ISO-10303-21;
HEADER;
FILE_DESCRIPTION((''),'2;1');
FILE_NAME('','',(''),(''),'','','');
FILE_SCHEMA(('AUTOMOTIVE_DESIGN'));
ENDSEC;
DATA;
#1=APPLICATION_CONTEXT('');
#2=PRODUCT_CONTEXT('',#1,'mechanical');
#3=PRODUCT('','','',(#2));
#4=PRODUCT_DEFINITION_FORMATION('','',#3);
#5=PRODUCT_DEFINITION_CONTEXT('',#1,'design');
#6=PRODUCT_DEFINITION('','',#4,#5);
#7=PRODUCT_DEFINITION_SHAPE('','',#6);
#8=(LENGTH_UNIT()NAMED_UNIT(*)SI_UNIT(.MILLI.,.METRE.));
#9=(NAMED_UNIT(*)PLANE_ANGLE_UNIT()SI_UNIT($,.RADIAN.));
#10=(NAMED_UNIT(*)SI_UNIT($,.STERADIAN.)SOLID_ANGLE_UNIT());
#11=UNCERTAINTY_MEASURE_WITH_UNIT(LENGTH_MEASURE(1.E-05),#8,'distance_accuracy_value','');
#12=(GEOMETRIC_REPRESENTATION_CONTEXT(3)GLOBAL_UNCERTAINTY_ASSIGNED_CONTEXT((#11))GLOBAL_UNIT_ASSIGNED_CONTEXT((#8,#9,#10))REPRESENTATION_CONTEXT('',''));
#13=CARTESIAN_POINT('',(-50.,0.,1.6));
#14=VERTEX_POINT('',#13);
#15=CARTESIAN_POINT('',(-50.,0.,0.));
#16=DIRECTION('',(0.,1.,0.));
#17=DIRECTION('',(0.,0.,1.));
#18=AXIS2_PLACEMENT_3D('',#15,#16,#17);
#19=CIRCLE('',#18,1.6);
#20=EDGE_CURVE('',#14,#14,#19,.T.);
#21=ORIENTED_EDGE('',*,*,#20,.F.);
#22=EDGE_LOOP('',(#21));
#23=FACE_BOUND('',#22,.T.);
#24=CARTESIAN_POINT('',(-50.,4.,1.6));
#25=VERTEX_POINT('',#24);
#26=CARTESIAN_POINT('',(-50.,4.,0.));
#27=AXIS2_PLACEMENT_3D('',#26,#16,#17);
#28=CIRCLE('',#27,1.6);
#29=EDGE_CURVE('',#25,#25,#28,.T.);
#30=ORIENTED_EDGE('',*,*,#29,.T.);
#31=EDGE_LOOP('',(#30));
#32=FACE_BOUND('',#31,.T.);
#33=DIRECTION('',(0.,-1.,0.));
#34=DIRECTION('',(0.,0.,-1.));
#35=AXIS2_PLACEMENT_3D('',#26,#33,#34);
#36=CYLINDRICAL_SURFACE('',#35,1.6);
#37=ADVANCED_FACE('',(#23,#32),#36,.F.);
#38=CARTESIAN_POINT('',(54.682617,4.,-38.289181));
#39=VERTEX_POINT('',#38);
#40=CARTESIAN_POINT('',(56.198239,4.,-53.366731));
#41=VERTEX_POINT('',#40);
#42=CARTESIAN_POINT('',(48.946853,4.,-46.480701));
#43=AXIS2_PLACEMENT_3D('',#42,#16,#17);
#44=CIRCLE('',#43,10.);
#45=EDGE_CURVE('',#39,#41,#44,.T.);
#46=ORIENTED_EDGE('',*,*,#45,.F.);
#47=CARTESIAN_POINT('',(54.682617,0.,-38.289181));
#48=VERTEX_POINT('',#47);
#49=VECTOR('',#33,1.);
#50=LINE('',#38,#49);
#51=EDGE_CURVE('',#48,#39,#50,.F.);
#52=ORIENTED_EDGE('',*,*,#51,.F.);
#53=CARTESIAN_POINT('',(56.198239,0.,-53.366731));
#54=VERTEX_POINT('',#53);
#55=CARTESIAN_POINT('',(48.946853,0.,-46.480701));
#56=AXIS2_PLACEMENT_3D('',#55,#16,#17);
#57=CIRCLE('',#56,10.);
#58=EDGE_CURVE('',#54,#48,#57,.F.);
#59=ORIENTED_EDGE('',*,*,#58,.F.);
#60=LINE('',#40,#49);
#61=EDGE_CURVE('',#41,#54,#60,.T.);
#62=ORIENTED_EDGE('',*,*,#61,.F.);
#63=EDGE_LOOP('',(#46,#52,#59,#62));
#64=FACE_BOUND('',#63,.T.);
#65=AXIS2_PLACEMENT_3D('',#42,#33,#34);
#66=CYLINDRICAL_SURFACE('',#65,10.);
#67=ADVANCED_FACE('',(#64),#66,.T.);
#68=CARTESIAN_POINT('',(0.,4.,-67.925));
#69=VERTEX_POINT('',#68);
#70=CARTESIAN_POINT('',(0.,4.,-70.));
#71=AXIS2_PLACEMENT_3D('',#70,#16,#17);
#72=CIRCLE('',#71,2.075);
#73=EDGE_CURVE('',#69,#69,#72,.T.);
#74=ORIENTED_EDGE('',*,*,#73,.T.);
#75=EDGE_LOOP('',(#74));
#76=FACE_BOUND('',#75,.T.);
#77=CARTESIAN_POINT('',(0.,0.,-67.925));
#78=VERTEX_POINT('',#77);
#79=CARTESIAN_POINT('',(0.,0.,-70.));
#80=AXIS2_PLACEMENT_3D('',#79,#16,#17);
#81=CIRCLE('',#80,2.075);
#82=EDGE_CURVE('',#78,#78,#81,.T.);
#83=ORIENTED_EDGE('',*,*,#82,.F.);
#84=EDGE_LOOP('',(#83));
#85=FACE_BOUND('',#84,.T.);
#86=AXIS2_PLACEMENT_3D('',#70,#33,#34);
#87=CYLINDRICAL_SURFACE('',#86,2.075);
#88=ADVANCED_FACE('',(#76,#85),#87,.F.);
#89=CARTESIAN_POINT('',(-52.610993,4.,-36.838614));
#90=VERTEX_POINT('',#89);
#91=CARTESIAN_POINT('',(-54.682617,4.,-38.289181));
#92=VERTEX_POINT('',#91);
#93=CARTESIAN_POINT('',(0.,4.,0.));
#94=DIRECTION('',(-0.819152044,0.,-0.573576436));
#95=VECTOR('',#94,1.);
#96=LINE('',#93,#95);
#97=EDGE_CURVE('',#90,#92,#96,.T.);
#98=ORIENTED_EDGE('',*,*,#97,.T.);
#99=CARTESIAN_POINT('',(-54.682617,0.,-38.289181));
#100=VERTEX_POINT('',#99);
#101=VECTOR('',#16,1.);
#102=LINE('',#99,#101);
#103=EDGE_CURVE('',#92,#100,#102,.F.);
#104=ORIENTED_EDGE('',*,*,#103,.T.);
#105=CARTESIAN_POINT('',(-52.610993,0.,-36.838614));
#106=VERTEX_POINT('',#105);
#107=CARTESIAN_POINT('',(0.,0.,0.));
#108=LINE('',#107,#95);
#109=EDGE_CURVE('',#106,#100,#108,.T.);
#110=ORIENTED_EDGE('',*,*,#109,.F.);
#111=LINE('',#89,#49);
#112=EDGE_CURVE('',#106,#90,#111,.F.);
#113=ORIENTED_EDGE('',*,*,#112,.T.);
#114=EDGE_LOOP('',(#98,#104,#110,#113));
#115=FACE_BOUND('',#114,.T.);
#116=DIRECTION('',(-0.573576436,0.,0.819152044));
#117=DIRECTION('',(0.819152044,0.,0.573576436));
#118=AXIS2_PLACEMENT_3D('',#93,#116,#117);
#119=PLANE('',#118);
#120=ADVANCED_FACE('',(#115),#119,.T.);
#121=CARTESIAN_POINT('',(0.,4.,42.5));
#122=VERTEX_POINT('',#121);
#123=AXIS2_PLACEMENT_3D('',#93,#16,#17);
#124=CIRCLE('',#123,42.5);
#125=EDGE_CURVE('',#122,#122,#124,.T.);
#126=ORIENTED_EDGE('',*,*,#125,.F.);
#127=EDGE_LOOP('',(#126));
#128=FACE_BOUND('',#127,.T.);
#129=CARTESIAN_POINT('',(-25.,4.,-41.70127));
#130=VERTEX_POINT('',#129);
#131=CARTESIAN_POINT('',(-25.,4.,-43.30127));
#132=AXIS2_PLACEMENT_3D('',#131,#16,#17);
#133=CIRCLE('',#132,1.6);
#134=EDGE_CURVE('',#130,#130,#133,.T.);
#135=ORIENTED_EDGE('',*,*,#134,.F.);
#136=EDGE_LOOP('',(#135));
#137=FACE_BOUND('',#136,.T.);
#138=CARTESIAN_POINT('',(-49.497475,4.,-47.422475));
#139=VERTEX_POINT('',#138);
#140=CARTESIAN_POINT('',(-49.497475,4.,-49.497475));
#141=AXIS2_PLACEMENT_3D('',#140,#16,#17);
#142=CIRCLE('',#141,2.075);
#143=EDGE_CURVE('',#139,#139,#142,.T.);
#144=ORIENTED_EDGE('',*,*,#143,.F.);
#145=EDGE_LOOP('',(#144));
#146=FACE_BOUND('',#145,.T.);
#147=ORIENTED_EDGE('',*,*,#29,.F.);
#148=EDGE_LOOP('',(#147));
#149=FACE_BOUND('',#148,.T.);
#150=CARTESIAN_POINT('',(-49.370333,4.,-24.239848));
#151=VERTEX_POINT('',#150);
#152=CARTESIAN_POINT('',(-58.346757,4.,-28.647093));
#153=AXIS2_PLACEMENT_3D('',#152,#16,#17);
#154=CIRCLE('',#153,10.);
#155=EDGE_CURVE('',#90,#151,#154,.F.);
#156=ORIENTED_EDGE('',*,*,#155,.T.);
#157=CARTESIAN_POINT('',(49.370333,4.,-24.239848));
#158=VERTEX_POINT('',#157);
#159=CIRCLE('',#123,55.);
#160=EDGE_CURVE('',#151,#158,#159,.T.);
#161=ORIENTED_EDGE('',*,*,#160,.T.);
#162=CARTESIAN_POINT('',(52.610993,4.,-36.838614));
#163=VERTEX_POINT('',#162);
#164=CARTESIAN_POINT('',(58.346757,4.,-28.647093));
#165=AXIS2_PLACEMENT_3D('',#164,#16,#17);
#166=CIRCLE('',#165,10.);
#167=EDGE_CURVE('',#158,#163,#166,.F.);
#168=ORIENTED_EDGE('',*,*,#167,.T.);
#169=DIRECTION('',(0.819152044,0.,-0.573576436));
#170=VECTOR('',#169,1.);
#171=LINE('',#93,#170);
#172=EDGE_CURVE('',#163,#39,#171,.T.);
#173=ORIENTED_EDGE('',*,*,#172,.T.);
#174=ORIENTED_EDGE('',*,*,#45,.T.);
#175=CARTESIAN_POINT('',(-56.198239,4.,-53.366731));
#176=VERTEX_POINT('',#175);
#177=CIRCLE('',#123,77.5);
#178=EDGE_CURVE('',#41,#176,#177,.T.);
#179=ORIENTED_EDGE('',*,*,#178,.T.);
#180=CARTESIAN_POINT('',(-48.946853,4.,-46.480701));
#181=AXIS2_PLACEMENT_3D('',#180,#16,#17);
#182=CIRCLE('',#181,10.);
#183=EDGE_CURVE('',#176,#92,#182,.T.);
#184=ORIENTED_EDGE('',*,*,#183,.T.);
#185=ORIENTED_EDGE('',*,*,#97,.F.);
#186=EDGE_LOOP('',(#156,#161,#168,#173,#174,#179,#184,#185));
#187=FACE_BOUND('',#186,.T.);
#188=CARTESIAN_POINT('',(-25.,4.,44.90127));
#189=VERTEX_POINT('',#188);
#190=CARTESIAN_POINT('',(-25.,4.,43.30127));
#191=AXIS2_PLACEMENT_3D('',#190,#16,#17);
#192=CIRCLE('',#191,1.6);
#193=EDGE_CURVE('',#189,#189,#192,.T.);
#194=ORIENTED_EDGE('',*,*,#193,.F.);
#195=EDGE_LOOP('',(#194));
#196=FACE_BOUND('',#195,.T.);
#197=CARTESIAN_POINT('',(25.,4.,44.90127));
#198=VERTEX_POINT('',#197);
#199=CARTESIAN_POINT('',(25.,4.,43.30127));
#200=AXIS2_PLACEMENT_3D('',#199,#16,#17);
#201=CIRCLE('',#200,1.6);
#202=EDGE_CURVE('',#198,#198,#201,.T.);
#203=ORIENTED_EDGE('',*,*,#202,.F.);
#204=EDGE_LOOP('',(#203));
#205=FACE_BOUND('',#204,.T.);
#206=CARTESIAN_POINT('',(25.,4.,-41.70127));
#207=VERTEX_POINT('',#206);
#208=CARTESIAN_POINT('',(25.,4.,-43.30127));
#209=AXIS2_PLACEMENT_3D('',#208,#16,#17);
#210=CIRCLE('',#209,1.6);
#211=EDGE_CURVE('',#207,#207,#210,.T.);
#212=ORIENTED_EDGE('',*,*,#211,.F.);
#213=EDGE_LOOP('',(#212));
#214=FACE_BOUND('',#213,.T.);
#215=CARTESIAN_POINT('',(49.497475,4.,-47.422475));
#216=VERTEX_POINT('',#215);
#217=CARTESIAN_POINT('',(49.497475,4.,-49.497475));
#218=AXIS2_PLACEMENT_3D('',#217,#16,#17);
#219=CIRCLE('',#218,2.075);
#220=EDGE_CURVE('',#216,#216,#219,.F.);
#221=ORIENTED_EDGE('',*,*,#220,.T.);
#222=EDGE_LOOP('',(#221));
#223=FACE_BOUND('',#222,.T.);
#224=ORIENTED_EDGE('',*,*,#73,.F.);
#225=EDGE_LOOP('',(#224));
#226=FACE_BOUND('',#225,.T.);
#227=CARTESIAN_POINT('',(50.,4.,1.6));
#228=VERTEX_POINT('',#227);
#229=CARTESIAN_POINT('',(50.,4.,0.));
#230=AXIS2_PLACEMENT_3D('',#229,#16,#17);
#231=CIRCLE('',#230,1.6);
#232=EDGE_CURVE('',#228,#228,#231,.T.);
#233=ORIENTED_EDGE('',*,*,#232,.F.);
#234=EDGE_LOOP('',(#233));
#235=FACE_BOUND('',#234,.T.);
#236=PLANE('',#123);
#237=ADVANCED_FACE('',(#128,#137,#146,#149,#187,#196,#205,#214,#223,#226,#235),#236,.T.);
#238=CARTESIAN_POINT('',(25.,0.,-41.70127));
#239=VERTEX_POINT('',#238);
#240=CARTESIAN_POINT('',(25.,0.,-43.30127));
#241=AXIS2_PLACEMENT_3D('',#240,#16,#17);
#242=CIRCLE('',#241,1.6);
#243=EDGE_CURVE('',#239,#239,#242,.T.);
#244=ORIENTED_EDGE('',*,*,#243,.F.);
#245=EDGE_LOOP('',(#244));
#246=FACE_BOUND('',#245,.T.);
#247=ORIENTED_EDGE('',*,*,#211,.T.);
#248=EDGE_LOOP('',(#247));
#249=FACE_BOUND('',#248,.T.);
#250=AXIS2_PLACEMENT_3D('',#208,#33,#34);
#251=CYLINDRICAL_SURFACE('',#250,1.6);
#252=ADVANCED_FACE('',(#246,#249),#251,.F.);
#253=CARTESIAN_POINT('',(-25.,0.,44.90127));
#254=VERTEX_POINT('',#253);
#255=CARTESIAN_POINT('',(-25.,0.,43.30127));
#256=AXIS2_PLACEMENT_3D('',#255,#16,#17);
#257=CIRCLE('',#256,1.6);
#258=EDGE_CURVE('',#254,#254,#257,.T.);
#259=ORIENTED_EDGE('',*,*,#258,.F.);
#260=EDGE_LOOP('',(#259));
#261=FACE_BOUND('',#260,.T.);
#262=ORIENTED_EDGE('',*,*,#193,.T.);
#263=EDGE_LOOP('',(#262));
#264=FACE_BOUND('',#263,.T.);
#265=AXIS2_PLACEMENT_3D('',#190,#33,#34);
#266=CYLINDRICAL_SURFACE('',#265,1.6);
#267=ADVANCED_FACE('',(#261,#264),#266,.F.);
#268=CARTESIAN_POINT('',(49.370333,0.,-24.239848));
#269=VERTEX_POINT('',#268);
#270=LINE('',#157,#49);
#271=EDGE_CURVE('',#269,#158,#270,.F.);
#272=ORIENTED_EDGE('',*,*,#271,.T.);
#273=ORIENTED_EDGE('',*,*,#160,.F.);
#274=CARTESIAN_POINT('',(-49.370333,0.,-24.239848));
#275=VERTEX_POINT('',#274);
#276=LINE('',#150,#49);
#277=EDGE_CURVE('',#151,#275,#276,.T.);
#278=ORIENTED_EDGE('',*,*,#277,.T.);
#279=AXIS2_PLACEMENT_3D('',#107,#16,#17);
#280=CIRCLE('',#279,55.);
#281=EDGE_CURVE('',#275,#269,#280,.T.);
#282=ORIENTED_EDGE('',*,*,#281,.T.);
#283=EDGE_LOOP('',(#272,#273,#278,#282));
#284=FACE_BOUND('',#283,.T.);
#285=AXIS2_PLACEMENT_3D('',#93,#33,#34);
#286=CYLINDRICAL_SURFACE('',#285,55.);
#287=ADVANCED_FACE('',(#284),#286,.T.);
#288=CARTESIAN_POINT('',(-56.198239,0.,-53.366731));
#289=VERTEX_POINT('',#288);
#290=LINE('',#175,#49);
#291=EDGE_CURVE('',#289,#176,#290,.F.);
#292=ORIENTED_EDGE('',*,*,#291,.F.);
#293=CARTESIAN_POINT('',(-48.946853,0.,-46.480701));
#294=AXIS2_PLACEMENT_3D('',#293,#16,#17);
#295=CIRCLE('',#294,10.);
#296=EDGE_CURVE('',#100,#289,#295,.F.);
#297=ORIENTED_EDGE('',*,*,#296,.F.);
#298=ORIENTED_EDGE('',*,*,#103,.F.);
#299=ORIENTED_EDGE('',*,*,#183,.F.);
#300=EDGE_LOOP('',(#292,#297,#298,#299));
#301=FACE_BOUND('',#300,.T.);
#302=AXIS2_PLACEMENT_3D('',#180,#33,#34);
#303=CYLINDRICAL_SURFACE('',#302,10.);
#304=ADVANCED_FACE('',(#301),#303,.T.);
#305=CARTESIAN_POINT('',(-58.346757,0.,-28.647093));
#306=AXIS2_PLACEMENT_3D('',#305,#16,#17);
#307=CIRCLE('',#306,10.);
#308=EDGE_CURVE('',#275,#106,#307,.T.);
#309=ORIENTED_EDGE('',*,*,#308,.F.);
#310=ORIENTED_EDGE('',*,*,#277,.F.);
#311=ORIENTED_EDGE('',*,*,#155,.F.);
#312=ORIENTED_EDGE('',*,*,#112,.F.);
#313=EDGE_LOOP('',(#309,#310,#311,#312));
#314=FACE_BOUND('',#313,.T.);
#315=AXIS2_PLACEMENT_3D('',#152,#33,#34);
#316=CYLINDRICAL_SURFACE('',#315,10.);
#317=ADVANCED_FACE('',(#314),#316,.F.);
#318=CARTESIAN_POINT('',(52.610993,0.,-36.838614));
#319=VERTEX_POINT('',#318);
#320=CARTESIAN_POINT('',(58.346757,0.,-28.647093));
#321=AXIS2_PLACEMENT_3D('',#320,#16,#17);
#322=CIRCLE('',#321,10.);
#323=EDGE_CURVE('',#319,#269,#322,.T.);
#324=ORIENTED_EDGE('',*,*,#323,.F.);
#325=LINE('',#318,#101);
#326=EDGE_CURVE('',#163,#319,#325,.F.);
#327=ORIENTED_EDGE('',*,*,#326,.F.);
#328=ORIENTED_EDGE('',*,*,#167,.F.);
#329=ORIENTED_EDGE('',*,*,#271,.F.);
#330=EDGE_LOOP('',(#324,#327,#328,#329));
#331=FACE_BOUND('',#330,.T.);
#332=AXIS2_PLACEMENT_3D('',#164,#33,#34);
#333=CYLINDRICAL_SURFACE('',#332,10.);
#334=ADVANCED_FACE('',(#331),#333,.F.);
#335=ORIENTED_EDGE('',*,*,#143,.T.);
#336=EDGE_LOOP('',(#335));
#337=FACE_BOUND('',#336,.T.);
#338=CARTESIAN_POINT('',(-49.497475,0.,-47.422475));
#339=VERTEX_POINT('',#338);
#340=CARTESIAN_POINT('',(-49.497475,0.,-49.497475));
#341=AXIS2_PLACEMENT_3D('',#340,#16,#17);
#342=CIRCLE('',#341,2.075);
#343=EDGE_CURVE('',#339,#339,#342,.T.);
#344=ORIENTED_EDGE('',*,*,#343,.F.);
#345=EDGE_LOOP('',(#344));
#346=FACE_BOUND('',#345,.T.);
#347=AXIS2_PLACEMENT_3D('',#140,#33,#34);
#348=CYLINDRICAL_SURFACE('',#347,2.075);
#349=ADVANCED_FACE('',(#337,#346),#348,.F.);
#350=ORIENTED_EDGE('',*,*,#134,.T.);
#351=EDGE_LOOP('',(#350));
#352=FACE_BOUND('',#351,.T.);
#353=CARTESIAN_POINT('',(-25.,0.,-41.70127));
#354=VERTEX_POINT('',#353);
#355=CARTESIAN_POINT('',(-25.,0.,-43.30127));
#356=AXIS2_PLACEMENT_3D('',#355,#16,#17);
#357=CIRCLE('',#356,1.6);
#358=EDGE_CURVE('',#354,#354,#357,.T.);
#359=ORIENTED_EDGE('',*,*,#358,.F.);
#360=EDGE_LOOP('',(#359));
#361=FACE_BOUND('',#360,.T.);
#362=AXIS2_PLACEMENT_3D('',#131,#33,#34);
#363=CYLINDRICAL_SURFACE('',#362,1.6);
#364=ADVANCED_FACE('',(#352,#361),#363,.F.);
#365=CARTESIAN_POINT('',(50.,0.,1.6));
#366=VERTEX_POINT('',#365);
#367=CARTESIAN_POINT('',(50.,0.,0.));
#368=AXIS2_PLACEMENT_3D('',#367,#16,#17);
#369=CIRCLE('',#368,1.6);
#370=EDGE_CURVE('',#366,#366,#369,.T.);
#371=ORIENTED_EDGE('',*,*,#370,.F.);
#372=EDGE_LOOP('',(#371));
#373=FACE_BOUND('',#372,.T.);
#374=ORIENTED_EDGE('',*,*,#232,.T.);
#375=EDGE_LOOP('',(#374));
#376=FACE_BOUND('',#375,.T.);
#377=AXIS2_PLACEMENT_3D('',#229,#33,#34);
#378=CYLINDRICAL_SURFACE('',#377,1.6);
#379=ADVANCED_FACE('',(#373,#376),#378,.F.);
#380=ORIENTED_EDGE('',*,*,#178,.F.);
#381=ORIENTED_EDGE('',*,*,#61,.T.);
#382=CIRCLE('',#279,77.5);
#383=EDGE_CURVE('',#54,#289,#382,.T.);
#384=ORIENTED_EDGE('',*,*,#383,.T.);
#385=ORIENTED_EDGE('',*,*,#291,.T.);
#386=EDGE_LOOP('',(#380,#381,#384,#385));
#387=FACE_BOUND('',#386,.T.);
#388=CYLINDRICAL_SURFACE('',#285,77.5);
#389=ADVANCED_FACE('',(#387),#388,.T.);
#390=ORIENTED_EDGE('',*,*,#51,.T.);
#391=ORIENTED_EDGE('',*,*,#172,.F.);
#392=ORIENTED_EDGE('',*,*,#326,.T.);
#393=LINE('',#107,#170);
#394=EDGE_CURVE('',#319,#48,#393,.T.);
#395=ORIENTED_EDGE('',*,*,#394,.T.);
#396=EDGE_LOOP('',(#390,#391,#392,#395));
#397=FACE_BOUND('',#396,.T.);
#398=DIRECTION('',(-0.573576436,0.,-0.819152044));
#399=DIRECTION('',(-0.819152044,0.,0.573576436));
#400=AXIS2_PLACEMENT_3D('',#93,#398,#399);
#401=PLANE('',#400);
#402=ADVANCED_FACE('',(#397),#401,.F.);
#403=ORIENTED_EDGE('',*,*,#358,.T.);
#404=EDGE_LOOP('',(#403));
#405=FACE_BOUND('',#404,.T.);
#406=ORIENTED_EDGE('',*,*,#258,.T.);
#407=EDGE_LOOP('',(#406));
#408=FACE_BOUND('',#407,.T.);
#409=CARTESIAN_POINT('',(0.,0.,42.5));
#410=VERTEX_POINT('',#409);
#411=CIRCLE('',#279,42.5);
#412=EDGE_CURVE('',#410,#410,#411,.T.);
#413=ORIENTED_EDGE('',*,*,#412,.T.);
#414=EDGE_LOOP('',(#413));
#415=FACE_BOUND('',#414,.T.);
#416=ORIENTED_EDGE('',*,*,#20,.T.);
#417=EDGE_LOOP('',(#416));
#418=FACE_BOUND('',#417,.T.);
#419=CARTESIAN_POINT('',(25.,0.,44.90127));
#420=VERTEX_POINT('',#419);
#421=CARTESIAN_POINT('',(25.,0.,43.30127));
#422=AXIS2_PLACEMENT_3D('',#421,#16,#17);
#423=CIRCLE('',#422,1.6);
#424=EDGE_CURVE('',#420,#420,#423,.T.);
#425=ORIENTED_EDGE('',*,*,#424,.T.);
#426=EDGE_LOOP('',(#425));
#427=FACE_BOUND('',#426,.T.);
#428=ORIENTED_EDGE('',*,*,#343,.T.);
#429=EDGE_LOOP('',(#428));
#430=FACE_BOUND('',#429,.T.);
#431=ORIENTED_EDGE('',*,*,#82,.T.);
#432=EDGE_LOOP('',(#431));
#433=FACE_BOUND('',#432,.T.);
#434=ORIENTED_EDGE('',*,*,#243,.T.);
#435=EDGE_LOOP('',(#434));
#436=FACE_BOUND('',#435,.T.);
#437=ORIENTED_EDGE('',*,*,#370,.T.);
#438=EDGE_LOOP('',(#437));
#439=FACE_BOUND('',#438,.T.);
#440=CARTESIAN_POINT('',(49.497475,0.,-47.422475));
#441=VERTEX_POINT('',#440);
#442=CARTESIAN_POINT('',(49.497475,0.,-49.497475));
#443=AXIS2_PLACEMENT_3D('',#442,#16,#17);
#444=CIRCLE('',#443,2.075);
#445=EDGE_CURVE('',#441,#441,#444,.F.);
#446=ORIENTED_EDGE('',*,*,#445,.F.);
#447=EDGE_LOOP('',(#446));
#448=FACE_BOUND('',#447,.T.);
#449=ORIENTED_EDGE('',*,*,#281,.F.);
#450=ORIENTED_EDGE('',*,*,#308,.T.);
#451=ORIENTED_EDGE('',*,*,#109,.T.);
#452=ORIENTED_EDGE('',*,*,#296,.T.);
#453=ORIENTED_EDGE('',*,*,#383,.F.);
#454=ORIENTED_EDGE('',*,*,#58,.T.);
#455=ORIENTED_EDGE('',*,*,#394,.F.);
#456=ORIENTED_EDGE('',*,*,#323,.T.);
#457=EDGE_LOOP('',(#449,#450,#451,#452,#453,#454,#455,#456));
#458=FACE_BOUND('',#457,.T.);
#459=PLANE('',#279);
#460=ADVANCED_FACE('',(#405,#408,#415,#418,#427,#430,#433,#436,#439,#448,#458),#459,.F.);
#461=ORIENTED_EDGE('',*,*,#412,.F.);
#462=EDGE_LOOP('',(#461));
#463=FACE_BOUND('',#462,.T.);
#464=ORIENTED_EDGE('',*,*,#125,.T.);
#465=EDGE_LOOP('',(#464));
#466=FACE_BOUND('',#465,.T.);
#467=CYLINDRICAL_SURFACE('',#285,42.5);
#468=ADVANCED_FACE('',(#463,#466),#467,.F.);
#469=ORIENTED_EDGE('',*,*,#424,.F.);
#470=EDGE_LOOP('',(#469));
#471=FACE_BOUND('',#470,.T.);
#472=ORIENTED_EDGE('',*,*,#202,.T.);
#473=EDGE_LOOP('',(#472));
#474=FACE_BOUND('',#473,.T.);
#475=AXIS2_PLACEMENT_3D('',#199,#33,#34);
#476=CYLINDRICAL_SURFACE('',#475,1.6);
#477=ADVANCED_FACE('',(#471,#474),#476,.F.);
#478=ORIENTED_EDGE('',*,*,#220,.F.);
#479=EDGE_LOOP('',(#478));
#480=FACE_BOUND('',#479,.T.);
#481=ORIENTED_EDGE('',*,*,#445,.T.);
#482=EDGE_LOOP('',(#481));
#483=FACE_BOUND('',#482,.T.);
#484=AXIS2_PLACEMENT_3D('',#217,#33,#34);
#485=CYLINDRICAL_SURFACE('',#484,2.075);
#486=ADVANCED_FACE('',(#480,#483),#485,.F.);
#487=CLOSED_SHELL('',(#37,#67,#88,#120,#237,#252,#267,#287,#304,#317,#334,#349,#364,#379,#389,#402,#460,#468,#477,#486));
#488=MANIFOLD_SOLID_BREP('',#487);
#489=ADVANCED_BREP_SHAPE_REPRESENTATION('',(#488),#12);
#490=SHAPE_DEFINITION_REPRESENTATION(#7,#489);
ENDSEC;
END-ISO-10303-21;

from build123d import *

# Parameters (mm, degrees)
SKETCH_1_R      = 2.075
SKETCH_1_R_2    = 1.6
EXTRUDE_1_DEPTH = 4
FILLET_1_R      = 10


with BuildPart() as part:
    # 草图1 → 凸台-拉伸1 (new body)
    # profile 1 of 3: a face of its own
    with BuildSketch(Plane(origin=(0, 0, 0), x_dir=(1, 0, 0), z_dir=(0, 1, 0))):
        with BuildLine():
            Line((-63.484283432, 44.452173817), (-45.053362436, 31.546703999))
            ThreePointArc((-45.053362436, 31.546703999), (0, 55), (45.053362436, 31.546703999))
            Line((45.053362436, 31.546703999), (63.484283432, 44.452173817))
            ThreePointArc((63.484283432, 44.452173817), (0, 77.5), (-63.484283432, 44.452173817))
        make_face()
        with Locations(Location((-49.497474683, 49.497474683, 0), (0, 0, 270))):
            Circle(SKETCH_1_R, mode=Mode.SUBTRACT)
        with Locations(Location((0, 70, 0), (0, 0, 270))):
            Circle(SKETCH_1_R, mode=Mode.SUBTRACT)
        with Locations(Location((49.497474683, 49.497474683, 0), (0, 0, 270))):
            Circle(SKETCH_1_R, mode=Mode.SUBTRACT)
    # profile 2 of 3: a face of its own
    with BuildSketch(Plane(origin=(0, 0, 0), x_dir=(1, 0, 0), z_dir=(0, 1, 0))):
        with BuildLine():
            Line((-45.053362436, 31.546703999), (-34.813961882, 24.376998545))
            ThreePointArc((-34.813961882, 24.376998545), (0, 42.5), (34.813961882, 24.376998545))
            Line((34.813961882, 24.376998545), (45.053362436, 31.546703999))
            ThreePointArc((45.053362436, 31.546703999), (0, 55), (-45.053362436, 31.546703999))
        make_face()
        with Locations(Location((-25, 43.301270189, 0), (0, 0, 270))):
            Circle(SKETCH_1_R_2, mode=Mode.SUBTRACT)
        with Locations(Location((25, 43.301270189, 0), (0, 0, 270))):
            Circle(SKETCH_1_R_2, mode=Mode.SUBTRACT)
    # profile 3 of 3: a face of its own
    with BuildSketch(Plane(origin=(0, 0, 0), x_dir=(1, 0, 0), z_dir=(0, 1, 0))):
        with BuildLine():
            ThreePointArc((42.5, 0), (-12.779996479, -40.532970407), (-34.813961882, 24.376998545))
            Line((-34.813961882, 24.376998545), (-45.053362436, 31.546703999))
            ThreePointArc((-45.053362436, 31.546703999), (-16.538818973, -52.454432291), (55, 0))
            ThreePointArc((55, 0), (52.454432291, 16.538818973), (45.053362436, 31.546703999))
            Line((45.053362436, 31.546703999), (34.813961882, 24.376998545))
            ThreePointArc((34.813961882, 24.376998545), (40.532970407, 12.779996479), (42.5, 0))
        make_face()
        with Locations(Location((-25, -43.301270189, 0), (0, 0, 270))):
            Circle(SKETCH_1_R_2, mode=Mode.SUBTRACT)
        with Locations(Location((-50, 0, 0), (0, 0, 270))):
            Circle(SKETCH_1_R_2, mode=Mode.SUBTRACT)
        with Locations(Location((25, -43.301270189, 0), (0, 0, 270))):
            Circle(SKETCH_1_R_2, mode=Mode.SUBTRACT)
        with Locations(Location((50, 0, 0), (0, 0, 270))):
            Circle(SKETCH_1_R_2, mode=Mode.SUBTRACT)
    extrude(amount=EXTRUDE_1_DEPTH)

    # 圆角1
    fillet_1_edges = [part.edges().sort_by_distance(p)[0] for p in [
        (-45.053362436, 2, -31.546703999),
        (-63.484283432, 2, -44.452173817),
        (63.484283432, 2, -44.452173817),
        (45.053362436, 2, -31.546703999),
    ]]
    fillet(fillet_1_edges, radius=FILLET_1_R)


solid = part.part
